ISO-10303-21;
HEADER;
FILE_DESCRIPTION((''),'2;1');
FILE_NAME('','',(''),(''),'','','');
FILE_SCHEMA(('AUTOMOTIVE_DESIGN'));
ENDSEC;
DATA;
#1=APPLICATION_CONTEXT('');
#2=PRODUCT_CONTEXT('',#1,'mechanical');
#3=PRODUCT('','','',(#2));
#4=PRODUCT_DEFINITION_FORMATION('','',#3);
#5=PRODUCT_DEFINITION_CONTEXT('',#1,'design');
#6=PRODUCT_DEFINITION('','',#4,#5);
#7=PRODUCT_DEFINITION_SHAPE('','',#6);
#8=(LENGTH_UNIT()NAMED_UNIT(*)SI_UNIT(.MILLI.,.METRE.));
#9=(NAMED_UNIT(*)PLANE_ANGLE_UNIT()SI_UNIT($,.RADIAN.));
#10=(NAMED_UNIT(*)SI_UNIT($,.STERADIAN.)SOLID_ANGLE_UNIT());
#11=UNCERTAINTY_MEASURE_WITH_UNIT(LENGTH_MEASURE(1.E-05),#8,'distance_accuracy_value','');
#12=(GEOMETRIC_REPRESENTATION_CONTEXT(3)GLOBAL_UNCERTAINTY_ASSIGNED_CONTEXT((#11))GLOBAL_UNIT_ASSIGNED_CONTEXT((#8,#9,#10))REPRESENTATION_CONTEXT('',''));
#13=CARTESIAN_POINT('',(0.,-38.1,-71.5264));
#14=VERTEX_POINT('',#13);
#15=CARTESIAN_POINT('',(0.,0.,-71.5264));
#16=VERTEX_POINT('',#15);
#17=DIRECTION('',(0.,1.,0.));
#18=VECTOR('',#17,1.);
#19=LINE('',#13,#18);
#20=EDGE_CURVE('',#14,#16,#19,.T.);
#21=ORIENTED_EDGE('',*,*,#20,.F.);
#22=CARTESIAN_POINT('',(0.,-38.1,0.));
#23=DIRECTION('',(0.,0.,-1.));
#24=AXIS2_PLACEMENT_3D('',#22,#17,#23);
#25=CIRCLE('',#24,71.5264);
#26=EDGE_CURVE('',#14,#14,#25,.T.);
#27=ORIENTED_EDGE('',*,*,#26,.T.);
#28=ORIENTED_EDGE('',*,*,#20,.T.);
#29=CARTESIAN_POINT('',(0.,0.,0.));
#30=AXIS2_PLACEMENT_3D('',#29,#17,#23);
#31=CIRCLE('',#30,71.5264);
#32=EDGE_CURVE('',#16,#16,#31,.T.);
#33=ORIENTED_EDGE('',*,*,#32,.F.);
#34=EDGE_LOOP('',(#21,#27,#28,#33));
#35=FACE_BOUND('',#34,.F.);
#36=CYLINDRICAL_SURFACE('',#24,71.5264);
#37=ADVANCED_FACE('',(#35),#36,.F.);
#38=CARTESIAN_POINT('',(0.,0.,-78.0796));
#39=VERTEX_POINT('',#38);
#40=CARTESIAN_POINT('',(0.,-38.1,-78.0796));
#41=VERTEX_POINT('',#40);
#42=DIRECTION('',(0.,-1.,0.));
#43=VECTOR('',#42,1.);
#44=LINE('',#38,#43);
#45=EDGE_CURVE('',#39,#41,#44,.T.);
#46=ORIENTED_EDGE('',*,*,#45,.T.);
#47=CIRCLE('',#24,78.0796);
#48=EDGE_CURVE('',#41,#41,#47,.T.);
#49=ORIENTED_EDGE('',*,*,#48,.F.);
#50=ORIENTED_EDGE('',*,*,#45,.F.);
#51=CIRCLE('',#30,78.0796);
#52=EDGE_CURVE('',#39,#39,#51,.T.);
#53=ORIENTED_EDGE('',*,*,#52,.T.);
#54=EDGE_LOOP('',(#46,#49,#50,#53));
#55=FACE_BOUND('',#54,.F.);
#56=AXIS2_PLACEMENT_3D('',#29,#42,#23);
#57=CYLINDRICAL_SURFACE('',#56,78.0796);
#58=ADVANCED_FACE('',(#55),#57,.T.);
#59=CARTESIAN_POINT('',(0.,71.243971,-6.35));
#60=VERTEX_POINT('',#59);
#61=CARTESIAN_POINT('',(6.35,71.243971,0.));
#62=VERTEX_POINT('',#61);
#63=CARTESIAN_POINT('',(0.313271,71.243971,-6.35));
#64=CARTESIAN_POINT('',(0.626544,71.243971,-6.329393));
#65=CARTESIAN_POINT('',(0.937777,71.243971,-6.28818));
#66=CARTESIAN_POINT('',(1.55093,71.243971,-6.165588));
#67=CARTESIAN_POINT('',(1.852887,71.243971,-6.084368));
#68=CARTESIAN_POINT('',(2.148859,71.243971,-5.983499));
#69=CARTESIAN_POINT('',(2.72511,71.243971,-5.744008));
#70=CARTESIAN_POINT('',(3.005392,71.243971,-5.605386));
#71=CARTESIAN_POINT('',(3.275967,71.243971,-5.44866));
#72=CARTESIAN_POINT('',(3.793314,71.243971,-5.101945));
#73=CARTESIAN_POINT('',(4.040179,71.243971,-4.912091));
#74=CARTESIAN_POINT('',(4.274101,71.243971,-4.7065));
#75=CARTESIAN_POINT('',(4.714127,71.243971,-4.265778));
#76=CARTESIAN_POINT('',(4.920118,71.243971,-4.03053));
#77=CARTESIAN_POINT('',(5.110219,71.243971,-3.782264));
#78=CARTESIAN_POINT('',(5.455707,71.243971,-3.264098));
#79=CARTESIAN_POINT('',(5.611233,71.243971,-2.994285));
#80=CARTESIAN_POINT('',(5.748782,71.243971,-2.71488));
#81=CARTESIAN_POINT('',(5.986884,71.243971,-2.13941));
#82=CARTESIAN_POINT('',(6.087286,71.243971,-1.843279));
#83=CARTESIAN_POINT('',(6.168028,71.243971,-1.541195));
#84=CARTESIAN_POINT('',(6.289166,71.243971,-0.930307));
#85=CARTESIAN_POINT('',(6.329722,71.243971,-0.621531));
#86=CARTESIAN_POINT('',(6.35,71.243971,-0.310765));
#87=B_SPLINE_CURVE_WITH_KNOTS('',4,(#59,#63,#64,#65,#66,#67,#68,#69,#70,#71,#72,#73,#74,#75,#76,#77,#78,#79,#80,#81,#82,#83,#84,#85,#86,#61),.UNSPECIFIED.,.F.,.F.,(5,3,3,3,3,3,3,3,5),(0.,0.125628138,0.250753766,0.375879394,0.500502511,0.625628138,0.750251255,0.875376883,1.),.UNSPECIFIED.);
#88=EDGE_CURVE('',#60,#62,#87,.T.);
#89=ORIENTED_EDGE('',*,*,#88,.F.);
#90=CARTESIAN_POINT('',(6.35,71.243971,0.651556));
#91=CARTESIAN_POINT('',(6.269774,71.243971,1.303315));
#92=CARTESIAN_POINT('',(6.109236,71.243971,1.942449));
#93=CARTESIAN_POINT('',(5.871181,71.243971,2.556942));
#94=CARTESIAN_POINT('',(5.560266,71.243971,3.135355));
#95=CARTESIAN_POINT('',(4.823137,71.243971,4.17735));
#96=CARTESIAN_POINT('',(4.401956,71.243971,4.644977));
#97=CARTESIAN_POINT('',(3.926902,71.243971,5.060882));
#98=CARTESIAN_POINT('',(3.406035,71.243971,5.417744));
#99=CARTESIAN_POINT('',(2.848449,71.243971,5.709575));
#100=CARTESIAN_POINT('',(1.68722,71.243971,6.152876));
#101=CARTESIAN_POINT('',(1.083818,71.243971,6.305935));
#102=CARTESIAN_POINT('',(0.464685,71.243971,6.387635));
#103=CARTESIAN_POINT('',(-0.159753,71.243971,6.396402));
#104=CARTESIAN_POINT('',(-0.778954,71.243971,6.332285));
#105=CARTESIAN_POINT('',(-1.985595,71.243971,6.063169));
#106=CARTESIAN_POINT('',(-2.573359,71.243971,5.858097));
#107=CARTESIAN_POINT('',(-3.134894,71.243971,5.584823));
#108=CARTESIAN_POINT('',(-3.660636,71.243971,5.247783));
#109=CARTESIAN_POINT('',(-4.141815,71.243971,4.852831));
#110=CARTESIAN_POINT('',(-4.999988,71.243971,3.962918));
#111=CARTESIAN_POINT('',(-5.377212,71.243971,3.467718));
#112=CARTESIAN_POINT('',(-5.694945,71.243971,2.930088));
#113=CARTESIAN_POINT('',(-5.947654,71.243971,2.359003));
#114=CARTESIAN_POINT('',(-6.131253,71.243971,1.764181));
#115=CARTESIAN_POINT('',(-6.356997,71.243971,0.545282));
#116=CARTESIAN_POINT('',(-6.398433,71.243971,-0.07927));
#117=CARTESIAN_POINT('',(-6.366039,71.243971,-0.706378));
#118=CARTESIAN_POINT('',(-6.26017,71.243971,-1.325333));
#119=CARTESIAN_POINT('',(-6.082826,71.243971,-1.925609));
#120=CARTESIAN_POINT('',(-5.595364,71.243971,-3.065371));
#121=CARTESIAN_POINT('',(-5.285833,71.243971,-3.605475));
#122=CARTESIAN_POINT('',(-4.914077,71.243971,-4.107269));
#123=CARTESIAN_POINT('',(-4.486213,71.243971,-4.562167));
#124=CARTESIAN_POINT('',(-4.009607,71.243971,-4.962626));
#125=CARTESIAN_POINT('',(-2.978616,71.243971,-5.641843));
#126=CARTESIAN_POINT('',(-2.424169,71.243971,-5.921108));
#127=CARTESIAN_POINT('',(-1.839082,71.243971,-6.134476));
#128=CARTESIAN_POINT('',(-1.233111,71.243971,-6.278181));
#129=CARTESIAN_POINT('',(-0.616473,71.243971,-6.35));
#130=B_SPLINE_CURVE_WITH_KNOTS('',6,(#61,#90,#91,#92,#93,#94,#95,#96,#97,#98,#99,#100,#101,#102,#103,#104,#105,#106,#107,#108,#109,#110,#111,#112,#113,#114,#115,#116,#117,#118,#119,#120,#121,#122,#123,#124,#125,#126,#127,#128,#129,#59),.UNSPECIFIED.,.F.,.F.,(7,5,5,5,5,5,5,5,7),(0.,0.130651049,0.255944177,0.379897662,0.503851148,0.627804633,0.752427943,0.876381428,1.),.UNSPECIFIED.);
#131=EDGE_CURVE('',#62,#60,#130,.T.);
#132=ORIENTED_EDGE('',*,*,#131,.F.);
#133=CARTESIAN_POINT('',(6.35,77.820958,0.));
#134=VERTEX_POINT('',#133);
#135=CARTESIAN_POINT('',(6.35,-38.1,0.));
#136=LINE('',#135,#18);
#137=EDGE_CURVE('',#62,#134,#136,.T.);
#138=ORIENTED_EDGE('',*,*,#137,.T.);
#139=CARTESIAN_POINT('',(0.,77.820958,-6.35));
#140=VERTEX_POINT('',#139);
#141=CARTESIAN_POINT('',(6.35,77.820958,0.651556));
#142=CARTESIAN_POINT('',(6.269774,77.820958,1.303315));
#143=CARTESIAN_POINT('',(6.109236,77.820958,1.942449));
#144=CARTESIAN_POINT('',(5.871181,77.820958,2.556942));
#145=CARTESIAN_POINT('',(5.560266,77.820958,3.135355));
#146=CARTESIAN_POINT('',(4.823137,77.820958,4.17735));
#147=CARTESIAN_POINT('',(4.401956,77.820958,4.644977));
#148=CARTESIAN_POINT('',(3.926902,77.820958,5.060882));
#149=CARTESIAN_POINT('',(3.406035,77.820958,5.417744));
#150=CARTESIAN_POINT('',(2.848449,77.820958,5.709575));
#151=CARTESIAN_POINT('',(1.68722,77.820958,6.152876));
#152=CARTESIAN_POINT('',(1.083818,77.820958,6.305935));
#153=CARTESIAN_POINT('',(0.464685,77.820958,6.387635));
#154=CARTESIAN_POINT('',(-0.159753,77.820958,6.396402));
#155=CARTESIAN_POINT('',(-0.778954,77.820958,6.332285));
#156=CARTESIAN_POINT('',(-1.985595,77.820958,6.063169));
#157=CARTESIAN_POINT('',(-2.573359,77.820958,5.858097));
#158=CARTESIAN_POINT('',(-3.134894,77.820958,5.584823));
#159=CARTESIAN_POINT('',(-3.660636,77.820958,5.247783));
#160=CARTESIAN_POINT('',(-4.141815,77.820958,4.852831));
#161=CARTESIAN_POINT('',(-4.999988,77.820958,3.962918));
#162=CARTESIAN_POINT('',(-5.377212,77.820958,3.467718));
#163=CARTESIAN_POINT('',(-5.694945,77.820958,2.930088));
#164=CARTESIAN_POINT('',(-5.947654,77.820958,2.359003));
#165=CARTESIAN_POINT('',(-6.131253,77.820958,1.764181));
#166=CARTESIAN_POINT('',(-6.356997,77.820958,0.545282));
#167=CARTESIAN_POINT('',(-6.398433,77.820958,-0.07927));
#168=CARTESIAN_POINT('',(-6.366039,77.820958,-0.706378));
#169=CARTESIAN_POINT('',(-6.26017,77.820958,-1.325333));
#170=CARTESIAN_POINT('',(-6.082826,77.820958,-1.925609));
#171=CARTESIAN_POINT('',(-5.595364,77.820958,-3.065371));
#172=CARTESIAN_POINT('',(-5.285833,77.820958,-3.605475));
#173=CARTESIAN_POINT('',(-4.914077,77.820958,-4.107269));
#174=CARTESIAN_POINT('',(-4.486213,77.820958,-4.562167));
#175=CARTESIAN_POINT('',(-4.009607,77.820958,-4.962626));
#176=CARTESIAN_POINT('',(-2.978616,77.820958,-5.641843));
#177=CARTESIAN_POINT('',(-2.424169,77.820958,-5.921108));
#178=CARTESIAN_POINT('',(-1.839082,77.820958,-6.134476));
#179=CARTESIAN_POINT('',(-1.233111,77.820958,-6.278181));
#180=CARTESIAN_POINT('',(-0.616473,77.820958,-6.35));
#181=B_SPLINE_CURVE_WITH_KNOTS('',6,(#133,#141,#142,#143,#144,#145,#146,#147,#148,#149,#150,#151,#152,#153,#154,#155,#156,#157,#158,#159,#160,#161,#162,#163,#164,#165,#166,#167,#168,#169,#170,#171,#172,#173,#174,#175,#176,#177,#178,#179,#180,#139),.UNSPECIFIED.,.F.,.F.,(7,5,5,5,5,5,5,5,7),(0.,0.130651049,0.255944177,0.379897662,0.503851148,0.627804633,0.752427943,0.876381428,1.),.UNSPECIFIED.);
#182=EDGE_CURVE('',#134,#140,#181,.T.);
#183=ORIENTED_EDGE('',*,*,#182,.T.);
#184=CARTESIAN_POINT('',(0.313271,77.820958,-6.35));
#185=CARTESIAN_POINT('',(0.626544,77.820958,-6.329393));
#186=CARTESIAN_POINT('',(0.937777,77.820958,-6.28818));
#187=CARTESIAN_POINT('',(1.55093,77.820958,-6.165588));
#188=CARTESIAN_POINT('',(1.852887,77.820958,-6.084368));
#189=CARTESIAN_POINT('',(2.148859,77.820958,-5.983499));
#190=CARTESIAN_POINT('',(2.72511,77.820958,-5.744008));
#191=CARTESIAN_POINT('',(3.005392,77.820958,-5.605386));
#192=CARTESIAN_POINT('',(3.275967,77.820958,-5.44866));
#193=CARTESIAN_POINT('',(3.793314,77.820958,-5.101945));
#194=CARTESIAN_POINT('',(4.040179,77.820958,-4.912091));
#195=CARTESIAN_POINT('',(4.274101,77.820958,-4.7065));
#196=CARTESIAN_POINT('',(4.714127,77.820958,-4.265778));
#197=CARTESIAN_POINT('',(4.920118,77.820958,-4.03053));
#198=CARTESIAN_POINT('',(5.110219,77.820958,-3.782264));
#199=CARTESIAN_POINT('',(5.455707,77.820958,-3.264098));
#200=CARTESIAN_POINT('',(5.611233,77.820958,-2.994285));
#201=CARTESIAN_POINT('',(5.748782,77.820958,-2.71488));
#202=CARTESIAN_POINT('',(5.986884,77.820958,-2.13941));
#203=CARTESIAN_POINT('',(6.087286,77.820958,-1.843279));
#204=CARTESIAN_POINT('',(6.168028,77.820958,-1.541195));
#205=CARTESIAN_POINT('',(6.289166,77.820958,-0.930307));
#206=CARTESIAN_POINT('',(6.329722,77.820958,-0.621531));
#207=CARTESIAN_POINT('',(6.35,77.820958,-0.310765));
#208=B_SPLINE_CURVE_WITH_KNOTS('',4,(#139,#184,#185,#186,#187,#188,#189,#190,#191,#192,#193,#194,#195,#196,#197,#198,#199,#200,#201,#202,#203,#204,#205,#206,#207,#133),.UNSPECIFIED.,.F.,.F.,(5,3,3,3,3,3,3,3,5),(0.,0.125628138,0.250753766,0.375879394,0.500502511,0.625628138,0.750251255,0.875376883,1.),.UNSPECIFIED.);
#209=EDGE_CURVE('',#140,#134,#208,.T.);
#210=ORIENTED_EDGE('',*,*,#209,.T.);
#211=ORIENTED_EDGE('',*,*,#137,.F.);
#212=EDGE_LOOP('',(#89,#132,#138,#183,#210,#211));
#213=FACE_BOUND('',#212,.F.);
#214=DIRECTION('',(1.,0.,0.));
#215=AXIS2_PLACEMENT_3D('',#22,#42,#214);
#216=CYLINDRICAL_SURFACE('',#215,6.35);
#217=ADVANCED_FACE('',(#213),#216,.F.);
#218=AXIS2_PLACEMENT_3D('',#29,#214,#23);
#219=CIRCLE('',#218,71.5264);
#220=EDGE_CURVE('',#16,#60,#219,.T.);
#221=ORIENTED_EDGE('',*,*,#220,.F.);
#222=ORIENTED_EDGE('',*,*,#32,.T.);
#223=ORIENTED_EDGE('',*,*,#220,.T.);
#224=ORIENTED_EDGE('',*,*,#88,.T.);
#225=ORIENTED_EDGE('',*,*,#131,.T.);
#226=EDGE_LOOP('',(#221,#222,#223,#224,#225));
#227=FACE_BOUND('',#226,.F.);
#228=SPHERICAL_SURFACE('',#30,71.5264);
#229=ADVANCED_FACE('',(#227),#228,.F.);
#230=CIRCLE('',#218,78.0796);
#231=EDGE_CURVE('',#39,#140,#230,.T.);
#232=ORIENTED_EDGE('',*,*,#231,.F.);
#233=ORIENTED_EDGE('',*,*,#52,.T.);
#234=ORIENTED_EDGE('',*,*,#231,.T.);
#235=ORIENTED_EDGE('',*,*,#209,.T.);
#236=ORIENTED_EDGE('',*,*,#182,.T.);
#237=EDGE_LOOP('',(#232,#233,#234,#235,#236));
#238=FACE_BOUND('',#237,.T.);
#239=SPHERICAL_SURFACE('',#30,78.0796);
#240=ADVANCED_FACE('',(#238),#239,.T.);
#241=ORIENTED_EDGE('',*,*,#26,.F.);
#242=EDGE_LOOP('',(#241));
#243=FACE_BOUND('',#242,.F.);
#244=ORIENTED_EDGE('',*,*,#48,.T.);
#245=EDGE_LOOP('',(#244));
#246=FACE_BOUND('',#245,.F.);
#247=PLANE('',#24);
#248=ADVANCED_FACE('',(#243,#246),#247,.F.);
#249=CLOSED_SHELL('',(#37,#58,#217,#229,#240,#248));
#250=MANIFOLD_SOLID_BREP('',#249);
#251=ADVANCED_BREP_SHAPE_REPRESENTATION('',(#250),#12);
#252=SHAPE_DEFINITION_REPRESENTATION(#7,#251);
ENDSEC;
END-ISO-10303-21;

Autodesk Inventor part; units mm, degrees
ref_plane "YZ Plane" through (0, 0, 0) normal (1, 0, 0) x (0, 1, 0)
ref_plane "XZ Plane" through (0, 0, 0) normal (0, 1, 0) x (-1, 0, 0)
ref_plane "XY Plane" through (0, 0, 0) normal (0, 0, 1) x (1, 0, 0)
sketch "Sketch1" plane through (0, 0, 0) normal (1, 0, 0) x (0, 1, 0)
  arc A0 (0, -78.0796) -> (78.0796, 0) centre (0, 0) ccw
  line L0 (0, -78.0796) -> (-38.1, -78.0796)
  line L1 (-38.1, -78.0796) -> (-38.1, -71.5264)
  line L2 (-38.1, -71.5264) -> (0, -71.5264)
  arc A1 (0, -71.5264) -> (71.5264, 0) centre (0, 0) ccw
  line L3 (0, 0) -> (85.8053, 0)
  line L4 (78.0796, 0) -> (71.5264, 0)
  dimension "d1" = 38.1
  dimension "d2" = 6.5532
  dimension "d4" = 71.5264
revolve "Revolution1" add sketch "Sketch1" angle 360 about axis through (0, 0, 0) along (0, 1, 0)
sketch "Sketch2" plane through (0, -38.1, 0) normal (0, -1, 0) x (1, 0, 0)
  circle A0 centre (0, 0) radius 6.35
  dimension "d5" = 12.7
extrude "Extrusion1" cut sketch "Sketch2" against normal through all
properties part number "Cap" material "PVC-Piping"
